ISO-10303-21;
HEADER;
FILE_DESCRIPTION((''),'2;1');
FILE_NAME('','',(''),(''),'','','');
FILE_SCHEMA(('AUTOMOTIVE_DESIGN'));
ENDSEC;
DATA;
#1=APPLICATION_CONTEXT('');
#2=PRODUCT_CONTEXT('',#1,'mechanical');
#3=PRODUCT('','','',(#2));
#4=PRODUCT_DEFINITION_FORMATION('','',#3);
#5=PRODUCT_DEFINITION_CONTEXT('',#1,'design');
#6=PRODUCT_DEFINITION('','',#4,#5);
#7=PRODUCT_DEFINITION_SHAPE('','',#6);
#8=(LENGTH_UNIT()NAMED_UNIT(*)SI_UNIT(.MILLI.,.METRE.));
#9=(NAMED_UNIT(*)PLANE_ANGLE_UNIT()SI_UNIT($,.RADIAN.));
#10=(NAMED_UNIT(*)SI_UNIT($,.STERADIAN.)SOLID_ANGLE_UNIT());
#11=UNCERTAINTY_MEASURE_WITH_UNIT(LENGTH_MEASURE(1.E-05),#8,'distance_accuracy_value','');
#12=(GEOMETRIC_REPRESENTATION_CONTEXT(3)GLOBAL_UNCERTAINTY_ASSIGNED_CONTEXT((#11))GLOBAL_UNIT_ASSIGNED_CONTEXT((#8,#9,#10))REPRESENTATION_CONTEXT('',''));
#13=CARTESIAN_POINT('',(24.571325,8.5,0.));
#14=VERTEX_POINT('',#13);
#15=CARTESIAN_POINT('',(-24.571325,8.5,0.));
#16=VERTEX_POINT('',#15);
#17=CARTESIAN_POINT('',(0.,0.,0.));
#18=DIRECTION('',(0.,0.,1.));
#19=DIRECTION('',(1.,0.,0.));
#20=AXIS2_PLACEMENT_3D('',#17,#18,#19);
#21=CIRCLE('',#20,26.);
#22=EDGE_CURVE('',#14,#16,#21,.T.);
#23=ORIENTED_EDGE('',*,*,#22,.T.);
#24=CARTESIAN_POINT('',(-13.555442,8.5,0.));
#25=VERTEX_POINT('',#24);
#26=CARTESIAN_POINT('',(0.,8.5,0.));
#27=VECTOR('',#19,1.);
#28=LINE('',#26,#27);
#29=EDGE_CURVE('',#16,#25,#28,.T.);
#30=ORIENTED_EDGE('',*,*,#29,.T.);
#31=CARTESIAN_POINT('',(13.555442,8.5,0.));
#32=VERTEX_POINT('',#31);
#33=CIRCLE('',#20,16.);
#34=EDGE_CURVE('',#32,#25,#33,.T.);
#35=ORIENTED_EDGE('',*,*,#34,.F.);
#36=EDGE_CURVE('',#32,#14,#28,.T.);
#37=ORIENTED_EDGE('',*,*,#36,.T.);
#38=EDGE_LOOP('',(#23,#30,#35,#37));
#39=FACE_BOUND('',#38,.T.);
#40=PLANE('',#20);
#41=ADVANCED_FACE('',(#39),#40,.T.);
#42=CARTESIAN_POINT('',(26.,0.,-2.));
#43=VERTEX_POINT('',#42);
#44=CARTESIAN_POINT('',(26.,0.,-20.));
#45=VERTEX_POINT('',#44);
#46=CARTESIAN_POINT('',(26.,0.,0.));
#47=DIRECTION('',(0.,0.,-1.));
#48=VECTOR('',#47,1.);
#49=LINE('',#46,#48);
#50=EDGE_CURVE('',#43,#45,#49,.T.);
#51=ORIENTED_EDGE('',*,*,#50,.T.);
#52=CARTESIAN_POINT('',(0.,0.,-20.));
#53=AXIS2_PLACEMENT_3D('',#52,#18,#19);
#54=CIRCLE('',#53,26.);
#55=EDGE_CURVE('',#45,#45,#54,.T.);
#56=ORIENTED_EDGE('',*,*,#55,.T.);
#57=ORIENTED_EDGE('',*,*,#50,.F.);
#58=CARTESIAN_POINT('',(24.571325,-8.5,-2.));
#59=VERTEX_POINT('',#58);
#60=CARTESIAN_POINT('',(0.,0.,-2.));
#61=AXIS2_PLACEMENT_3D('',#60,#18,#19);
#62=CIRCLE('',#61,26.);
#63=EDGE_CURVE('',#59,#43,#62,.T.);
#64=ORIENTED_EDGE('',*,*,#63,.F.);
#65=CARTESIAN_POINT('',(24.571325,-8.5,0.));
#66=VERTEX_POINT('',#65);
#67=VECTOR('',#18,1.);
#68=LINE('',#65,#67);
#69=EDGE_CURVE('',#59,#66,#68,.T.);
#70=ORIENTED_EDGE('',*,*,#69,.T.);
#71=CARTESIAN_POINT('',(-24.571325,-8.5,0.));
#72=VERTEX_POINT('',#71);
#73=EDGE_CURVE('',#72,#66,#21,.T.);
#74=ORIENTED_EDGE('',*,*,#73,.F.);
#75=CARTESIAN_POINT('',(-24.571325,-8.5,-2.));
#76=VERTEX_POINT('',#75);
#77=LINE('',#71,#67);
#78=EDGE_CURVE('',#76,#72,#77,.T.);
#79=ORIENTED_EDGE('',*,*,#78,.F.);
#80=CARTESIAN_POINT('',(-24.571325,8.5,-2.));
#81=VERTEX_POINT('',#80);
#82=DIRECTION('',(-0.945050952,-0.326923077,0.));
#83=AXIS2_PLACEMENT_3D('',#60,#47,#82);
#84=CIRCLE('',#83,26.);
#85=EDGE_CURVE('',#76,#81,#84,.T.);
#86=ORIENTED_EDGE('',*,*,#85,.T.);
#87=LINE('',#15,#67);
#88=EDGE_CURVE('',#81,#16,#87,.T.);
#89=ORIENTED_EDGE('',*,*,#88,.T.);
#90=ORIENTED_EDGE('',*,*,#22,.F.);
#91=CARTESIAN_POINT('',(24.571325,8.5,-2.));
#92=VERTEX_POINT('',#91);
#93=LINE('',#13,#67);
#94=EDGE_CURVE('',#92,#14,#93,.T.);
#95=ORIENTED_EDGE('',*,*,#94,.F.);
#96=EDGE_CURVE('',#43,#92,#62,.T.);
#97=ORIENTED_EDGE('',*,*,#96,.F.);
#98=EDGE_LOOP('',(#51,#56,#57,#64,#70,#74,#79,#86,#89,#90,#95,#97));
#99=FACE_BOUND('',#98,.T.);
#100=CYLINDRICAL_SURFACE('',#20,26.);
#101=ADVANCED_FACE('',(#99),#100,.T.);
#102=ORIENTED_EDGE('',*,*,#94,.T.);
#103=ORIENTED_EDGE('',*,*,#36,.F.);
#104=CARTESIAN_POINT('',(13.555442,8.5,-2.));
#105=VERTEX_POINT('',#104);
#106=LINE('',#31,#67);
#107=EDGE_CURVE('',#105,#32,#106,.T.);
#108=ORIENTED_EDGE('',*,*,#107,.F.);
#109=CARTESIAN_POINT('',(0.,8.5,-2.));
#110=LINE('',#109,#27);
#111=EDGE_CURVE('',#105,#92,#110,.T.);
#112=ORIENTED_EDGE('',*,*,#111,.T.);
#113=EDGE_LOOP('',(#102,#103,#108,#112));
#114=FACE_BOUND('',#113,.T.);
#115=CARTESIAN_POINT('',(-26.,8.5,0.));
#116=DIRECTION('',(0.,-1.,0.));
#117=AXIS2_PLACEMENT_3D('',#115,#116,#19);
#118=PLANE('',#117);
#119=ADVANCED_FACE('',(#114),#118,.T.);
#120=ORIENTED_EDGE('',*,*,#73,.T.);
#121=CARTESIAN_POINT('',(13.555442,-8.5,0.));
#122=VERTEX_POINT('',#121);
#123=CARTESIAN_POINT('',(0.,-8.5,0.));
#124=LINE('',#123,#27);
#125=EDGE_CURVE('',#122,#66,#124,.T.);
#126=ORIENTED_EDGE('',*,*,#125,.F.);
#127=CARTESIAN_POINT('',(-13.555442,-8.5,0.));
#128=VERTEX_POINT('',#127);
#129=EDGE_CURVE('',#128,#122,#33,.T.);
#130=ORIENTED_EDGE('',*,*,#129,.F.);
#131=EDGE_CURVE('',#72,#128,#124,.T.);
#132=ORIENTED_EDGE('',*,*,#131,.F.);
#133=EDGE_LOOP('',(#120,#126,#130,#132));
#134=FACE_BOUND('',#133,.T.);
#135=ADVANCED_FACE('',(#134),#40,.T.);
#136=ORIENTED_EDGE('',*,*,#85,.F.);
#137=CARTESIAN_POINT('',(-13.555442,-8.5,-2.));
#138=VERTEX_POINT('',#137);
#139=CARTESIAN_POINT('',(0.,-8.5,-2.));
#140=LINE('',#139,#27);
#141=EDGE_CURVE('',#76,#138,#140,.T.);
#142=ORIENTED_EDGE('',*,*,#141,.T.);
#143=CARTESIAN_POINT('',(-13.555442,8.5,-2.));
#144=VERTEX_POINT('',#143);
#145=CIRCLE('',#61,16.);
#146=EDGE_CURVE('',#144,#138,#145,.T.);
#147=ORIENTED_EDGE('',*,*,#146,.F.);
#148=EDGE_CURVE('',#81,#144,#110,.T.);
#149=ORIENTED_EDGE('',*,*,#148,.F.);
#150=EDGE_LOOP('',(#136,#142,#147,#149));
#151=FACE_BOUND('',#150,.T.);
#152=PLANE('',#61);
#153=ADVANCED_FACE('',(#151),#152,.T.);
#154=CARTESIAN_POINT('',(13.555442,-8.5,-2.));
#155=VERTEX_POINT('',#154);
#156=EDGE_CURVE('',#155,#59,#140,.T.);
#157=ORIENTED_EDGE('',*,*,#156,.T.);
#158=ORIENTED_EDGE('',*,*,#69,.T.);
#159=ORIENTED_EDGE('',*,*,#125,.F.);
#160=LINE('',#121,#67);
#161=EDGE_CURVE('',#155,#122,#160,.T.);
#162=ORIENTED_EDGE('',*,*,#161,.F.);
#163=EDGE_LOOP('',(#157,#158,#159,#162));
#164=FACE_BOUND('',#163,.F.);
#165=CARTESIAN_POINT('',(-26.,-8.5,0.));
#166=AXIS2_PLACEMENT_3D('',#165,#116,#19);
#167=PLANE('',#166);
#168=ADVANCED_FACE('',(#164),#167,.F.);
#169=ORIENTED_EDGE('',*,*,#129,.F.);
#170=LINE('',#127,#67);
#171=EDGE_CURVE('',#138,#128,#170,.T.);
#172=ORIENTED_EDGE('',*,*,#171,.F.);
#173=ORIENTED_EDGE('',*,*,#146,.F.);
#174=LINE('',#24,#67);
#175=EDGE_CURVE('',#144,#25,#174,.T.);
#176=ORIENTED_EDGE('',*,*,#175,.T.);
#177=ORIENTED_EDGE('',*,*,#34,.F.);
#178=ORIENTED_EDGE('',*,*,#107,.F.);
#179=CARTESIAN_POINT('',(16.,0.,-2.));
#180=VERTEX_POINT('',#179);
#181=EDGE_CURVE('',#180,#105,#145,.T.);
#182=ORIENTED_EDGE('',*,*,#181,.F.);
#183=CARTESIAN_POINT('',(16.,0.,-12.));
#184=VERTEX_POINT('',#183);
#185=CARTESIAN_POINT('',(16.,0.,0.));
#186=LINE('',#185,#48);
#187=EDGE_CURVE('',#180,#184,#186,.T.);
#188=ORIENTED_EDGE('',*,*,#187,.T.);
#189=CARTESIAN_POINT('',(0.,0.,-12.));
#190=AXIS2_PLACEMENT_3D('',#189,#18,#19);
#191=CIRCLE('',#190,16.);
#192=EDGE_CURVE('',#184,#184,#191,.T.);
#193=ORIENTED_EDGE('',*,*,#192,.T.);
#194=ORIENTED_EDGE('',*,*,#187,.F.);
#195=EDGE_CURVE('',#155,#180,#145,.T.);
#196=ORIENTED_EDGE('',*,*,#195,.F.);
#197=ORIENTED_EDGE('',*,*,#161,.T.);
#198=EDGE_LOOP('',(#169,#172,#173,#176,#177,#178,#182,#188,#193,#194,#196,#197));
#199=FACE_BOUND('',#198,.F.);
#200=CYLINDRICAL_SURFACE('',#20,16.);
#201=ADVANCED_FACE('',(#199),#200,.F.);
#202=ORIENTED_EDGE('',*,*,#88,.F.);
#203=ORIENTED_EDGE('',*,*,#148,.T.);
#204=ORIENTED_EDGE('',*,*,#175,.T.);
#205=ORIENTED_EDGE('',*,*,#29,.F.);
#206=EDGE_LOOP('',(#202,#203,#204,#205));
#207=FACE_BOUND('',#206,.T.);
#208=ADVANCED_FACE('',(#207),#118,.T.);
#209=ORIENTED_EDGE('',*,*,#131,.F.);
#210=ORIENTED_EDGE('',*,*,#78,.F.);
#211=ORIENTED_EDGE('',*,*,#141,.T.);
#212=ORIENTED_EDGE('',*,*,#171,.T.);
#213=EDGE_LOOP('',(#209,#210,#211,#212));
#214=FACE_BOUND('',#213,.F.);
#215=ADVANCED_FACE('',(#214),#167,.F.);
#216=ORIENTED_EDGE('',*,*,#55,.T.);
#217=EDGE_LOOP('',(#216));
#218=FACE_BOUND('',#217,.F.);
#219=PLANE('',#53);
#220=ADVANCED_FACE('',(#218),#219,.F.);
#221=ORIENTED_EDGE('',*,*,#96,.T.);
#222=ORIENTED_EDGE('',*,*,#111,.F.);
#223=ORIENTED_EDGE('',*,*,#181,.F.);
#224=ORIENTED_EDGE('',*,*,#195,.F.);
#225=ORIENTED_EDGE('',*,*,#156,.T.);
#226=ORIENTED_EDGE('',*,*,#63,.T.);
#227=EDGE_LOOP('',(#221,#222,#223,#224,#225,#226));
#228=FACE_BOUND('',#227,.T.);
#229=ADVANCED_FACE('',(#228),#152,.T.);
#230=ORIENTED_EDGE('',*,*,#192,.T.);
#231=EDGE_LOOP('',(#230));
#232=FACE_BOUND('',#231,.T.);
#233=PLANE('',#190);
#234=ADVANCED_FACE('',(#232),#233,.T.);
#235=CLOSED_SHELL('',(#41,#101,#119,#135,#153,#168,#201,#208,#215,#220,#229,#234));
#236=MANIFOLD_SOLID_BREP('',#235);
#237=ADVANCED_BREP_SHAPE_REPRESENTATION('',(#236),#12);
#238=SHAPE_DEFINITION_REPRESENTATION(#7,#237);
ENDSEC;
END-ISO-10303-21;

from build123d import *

# Parameters (mm, degrees)
F0_R     = 26
F0_R_2   = 16
F1_DEPTH = 20
F2_DEPTH = 12
F3_W     = 52
F3_H     = 17
F4_DEPTH = 2


with BuildPart() as f1:
    # F0 (on Top) → F1 (new body)
    with BuildSketch(Plane.XY):
        Circle(F0_R)
        Circle(F0_R_2, mode=Mode.SUBTRACT)
        Circle(F0_R_2)
    extrude(amount=-F1_DEPTH)

    # F0 (on Top) → F2 (cut)
    with BuildSketch(Plane.XY):
        Circle(F0_R_2)
    extrude(amount=-F2_DEPTH, mode=Mode.SUBTRACT)

    # F3 (on Top) → F4 (cut)
    with BuildSketch(Plane.XY):
        Rectangle(F3_W, F3_H)
    extrude(amount=-F4_DEPTH, mode=Mode.SUBTRACT)


solid = f1.part
